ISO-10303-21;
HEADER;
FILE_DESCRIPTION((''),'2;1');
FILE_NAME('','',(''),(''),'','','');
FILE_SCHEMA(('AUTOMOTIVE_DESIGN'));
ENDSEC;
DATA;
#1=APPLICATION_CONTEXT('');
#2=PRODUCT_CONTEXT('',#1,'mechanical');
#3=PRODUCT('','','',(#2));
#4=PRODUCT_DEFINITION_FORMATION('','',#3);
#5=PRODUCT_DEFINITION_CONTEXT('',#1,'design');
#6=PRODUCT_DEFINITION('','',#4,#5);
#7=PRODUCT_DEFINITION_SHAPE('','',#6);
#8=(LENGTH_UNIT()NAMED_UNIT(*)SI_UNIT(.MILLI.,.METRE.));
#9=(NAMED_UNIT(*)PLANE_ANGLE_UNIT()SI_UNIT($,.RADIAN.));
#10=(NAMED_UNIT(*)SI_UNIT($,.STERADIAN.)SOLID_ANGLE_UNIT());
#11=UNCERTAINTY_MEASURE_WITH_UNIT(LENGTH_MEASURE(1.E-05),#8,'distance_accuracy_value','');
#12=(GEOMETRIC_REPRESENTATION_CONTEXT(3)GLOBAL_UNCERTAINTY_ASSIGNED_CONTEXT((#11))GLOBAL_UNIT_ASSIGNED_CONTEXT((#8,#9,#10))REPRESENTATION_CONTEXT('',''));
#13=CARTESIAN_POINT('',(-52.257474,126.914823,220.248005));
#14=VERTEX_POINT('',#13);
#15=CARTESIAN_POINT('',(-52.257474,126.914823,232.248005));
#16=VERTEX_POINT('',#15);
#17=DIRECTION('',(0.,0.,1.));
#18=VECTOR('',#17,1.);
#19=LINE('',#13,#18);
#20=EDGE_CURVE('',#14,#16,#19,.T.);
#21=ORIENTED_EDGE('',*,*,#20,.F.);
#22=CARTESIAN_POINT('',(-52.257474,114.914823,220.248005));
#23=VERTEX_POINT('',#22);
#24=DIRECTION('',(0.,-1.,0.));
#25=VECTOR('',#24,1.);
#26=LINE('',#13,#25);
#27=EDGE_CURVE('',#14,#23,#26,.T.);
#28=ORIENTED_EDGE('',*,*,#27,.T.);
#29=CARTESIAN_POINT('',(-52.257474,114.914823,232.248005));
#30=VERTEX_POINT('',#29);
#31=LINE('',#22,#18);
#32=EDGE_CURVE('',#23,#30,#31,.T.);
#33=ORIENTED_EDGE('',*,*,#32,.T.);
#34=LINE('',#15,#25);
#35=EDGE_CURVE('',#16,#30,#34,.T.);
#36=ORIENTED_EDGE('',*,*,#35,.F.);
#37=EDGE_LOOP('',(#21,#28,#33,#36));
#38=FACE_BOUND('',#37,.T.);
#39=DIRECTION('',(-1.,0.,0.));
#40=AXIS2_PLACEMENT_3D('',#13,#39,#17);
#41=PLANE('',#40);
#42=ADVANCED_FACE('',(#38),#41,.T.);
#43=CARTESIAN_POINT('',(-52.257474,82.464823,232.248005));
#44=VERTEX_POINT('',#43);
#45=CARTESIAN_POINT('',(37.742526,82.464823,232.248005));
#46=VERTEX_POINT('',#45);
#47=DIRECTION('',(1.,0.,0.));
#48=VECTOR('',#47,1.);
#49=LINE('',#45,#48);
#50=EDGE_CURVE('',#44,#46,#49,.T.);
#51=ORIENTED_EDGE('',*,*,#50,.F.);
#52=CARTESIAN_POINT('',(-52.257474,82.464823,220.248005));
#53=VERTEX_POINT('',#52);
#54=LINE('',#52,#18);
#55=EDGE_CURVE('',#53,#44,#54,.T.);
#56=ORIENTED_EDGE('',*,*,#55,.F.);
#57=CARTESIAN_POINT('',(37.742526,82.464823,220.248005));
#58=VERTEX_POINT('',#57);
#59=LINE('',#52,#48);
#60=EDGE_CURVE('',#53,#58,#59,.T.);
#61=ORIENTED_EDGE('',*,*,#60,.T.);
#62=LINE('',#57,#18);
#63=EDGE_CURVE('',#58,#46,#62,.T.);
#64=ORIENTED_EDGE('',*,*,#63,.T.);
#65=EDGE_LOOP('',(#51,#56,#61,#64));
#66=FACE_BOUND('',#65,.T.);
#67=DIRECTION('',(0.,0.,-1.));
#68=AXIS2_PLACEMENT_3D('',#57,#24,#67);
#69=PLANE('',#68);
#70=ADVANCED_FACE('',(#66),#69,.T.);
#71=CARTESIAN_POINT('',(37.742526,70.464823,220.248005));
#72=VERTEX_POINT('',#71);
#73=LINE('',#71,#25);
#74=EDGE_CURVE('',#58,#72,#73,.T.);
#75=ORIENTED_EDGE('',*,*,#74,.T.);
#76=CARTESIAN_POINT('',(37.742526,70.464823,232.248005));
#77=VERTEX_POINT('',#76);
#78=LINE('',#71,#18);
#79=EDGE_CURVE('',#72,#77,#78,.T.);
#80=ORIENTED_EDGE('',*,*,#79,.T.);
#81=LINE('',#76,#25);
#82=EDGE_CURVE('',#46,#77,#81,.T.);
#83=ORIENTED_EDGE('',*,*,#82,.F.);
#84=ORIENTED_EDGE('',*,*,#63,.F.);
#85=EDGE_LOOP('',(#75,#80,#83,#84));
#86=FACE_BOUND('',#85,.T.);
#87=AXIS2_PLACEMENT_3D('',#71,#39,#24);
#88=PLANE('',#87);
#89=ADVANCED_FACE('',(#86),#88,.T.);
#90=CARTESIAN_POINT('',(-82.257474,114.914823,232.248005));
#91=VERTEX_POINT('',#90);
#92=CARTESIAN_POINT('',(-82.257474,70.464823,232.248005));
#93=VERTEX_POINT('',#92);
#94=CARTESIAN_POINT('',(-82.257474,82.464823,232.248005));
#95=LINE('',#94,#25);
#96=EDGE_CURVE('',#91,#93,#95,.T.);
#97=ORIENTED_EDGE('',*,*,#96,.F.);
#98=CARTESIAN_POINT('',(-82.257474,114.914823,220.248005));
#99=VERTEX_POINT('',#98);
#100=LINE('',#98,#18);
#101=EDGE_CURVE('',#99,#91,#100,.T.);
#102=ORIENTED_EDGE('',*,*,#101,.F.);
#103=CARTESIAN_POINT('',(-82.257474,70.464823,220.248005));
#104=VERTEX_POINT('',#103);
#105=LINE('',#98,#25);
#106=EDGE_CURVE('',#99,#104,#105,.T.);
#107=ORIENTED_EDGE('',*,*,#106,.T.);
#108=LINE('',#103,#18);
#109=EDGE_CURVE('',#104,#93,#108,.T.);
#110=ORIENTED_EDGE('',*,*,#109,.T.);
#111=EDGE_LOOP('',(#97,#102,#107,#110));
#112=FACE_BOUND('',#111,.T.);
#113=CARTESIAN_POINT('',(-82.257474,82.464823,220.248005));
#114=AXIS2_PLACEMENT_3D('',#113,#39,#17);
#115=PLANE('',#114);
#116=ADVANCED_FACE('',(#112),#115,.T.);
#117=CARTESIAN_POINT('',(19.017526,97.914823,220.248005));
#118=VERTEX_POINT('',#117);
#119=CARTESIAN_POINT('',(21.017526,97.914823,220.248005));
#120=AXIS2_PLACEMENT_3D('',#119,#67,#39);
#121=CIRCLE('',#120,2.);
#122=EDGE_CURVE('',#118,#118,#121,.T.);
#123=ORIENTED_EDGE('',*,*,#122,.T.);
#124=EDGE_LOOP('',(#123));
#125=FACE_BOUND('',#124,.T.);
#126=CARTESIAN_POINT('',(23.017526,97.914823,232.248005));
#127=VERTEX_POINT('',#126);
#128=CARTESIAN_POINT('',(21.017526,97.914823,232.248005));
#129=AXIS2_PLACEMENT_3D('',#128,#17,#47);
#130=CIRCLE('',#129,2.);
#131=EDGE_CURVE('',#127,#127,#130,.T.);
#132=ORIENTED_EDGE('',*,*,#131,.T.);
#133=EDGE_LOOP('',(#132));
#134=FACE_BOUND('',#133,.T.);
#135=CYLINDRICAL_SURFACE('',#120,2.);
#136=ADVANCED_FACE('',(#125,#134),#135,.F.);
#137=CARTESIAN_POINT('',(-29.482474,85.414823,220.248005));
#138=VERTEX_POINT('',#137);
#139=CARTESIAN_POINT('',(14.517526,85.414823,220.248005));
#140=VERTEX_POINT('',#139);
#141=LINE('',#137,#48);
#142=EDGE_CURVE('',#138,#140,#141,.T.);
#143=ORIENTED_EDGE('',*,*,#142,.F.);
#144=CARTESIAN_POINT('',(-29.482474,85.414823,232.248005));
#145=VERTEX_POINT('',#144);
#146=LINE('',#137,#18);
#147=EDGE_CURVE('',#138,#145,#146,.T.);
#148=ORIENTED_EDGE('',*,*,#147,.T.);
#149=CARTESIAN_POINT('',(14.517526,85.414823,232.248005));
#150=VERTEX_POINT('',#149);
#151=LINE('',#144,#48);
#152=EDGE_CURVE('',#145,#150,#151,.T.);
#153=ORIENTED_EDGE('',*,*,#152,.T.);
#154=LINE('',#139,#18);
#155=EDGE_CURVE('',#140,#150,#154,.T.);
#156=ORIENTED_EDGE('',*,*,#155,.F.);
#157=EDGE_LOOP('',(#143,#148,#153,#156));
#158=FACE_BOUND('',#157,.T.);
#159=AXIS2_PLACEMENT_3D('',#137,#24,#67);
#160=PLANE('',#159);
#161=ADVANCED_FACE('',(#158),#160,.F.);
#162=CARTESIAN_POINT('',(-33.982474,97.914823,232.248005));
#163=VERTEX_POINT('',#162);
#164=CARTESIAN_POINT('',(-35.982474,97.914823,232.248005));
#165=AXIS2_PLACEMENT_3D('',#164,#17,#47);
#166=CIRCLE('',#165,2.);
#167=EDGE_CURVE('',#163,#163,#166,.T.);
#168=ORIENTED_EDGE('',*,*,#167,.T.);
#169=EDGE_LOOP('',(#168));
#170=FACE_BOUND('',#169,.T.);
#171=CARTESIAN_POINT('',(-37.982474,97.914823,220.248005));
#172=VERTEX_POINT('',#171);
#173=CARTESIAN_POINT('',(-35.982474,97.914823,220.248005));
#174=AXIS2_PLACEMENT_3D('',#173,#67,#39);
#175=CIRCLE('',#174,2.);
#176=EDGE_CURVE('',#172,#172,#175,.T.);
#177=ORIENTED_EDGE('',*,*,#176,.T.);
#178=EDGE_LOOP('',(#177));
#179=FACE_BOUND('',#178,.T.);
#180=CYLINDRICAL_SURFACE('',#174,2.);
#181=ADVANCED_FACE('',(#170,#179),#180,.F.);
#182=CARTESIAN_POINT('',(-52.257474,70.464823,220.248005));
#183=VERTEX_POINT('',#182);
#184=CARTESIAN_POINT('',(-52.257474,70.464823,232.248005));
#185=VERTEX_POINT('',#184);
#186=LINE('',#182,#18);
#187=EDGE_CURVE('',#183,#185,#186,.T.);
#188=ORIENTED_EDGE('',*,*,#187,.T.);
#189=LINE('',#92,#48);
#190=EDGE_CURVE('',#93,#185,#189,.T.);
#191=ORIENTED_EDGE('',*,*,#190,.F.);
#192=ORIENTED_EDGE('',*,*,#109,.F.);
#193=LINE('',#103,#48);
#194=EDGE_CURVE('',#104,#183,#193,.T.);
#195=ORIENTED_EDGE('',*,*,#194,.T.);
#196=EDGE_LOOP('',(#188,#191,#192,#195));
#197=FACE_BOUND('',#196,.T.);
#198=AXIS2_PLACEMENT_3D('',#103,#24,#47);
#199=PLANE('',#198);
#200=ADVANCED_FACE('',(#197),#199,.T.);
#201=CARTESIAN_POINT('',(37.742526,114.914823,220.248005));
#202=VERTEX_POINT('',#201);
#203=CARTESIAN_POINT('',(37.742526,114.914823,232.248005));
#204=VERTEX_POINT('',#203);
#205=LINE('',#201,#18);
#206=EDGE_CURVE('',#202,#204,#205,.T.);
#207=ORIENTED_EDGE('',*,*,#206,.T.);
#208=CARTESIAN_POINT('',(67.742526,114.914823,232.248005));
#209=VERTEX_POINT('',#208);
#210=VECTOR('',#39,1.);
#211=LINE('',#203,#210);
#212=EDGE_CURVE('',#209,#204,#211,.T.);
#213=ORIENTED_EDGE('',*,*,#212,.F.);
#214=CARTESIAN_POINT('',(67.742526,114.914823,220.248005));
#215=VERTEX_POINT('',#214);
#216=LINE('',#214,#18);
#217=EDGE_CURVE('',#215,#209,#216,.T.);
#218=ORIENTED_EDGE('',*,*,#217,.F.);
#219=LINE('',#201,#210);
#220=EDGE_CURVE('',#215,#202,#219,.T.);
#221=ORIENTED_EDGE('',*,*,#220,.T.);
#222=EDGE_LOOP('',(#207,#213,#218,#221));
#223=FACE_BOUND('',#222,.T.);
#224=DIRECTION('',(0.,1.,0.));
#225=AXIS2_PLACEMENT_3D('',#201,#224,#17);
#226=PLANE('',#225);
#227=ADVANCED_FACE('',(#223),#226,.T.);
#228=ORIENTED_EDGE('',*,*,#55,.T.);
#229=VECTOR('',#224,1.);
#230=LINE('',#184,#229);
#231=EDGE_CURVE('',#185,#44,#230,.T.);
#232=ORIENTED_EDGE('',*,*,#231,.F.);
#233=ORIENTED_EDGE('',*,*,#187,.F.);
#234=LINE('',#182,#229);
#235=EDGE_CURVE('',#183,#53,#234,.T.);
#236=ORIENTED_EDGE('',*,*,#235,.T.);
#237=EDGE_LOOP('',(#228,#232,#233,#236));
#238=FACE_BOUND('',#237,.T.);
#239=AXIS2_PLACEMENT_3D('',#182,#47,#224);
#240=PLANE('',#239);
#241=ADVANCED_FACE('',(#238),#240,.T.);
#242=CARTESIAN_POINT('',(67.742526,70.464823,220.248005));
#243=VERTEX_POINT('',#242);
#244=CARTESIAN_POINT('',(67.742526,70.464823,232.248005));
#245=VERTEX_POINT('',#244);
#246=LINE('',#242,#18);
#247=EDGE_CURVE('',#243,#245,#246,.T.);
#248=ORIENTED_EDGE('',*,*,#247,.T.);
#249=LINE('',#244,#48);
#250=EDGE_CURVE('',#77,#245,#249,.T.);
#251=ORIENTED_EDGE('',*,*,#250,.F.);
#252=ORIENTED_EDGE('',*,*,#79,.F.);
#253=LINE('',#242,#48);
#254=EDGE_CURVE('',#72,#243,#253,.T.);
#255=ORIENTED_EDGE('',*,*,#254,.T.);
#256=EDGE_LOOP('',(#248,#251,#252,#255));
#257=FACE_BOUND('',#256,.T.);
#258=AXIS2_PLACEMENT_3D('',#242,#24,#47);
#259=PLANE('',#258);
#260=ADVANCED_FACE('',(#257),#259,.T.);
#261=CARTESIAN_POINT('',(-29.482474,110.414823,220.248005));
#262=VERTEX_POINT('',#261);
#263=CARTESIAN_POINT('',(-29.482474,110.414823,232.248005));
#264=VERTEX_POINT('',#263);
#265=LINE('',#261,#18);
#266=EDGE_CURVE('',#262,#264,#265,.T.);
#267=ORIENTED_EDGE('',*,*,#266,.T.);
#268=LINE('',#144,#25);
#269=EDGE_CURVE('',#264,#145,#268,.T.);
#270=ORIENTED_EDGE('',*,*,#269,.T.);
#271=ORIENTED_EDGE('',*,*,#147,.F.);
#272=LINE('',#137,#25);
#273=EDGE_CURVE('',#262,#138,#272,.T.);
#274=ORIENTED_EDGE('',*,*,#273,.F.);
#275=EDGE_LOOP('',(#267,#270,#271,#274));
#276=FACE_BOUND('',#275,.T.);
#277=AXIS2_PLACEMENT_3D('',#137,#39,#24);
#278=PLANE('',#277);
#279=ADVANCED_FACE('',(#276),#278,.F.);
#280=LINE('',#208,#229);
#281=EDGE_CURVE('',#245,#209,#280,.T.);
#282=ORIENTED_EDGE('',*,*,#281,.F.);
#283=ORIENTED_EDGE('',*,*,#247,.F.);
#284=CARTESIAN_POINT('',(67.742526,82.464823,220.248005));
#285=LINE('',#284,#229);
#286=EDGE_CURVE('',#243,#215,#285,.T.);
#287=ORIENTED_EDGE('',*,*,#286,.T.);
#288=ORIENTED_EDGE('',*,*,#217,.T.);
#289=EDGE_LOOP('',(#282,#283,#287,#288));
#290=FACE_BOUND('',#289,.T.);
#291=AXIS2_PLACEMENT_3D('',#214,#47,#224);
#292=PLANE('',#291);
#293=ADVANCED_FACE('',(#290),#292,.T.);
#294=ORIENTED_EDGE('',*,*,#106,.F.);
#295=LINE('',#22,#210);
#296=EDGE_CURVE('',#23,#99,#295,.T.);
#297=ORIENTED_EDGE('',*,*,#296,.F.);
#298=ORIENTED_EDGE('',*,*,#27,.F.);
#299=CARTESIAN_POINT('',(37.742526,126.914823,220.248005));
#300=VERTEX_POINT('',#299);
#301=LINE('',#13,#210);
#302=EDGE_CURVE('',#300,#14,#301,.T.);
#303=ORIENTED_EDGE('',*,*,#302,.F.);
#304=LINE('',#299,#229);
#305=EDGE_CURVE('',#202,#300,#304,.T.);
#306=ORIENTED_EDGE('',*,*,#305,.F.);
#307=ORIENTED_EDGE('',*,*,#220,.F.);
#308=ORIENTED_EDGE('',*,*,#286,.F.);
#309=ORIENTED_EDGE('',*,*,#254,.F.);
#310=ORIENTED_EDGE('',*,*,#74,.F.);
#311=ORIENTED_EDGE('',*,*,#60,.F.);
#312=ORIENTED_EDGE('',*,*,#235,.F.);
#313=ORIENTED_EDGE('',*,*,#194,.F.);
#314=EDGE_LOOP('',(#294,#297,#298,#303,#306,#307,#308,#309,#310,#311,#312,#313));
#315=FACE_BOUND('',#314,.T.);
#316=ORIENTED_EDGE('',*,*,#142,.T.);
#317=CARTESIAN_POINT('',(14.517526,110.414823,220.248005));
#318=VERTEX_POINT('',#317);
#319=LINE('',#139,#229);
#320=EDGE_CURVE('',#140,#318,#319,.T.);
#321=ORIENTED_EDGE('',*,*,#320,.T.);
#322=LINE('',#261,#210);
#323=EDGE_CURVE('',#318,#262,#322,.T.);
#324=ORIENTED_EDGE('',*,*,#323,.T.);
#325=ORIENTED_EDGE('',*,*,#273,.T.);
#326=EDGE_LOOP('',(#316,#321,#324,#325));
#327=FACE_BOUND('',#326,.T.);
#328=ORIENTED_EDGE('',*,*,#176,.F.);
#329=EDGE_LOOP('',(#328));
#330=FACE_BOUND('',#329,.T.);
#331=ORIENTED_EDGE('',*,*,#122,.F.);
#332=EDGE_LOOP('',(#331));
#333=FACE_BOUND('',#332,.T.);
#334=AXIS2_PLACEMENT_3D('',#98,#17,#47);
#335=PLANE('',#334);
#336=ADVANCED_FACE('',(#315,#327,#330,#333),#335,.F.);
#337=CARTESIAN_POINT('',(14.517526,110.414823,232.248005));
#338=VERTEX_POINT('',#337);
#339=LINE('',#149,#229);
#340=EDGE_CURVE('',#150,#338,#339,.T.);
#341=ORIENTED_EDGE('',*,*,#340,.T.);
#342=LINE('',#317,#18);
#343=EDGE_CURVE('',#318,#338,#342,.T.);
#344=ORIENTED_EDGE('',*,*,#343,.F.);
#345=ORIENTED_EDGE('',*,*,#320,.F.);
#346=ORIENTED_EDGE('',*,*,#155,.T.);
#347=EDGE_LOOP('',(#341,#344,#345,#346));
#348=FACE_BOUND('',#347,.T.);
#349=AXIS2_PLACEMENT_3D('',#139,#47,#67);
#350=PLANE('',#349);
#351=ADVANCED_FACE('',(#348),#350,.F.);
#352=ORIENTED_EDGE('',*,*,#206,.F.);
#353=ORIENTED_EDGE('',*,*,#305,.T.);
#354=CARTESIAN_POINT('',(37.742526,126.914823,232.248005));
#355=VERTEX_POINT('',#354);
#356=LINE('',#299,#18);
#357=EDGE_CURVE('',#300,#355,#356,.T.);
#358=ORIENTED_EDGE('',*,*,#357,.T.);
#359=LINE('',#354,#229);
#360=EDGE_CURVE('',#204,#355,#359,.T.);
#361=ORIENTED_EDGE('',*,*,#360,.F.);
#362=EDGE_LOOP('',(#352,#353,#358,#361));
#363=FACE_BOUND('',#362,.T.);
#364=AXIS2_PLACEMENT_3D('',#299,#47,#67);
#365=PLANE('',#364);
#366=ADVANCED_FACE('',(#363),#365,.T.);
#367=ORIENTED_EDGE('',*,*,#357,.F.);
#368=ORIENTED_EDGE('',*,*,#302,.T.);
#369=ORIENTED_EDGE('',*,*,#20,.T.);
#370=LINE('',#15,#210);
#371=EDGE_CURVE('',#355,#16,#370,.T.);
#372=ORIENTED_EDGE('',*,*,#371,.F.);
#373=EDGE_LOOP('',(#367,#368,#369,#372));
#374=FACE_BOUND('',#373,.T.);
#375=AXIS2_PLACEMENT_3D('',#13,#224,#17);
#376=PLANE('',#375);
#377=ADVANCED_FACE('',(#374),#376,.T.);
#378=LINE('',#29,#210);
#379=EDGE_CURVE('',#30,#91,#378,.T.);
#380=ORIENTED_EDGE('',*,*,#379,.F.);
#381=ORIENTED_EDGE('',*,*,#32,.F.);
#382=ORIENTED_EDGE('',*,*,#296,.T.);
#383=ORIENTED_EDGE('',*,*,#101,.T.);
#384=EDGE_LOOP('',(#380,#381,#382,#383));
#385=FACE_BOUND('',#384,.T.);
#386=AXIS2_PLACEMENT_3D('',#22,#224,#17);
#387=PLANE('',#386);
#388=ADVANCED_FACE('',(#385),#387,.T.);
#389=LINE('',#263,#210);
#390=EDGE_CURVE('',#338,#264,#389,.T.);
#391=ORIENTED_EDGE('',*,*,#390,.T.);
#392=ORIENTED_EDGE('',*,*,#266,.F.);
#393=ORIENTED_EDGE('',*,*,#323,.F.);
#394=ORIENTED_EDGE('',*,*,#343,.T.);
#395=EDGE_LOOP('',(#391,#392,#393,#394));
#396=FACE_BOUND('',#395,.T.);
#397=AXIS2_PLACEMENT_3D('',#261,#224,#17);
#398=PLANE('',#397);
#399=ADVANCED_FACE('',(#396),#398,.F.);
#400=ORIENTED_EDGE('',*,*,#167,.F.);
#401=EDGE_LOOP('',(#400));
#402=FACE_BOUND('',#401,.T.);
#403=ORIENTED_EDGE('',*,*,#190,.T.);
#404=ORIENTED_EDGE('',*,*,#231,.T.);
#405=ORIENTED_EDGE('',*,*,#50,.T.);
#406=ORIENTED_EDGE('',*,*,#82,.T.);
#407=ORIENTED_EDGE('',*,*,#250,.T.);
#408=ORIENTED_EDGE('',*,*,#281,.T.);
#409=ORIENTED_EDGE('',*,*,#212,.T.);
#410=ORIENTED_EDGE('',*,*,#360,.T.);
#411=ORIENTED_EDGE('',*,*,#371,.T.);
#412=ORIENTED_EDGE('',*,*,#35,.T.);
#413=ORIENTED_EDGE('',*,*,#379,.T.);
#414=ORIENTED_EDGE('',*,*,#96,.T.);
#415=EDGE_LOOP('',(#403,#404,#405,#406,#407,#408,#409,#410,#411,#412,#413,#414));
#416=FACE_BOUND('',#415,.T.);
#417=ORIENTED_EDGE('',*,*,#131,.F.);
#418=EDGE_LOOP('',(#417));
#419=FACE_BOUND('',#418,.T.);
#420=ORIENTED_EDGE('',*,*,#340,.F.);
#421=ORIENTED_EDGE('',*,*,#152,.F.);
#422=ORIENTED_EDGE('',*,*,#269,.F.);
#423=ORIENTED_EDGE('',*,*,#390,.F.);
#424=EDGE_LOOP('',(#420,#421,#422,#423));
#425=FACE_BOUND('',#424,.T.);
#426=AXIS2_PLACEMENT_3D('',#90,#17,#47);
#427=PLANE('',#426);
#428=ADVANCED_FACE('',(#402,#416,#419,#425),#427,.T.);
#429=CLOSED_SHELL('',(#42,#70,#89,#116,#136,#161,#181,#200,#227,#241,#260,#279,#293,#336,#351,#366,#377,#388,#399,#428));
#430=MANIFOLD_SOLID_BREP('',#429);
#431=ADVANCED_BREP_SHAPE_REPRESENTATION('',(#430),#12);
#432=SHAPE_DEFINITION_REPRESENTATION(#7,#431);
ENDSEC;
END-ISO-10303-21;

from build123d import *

# Parameters (mm, degrees)
SKETCH1_W                    = 44
SKETCH1_H                    = 25
BOSS_EXTRUDE1_DEPTH          = 12
F_4_0_4_DIAMETER_HOLE1_D     = 4
F_4_0_4_DIAMETER_HOLE1_DEPTH = 25
F_4_0_4_DIAMETER_HOLE1_TIP   = 1.201721238


with BuildPart() as part:
    # Sketch1 → Boss-Extrude1 (new body)
    with BuildSketch(Plane.XY.offset(232.248004761)):
        Polygon((-82.257473883, 114.914823413), (-82.257473883, 82.464823413), (-82.257473883, 70.464823413), (-52.257473883, 70.464823413), (-52.257473883, 82.464823413), (-29.482473883, 82.464823413), (14.967526117, 82.464823413), (37.742526117, 82.464823413), (37.742526117, 70.464823413), (67.742526117, 70.464823413), (67.742526117, 82.464823413), (67.742526117, 114.914823413), (37.742526117, 114.914823413), (37.742526117, 126.914823413), (-52.257473883, 126.914823413), (-52.257473883, 114.914823413), align=None)
        with Locations((-7.482473883, 97.914823413)):
            Rectangle(SKETCH1_W, SKETCH1_H, mode=Mode.SUBTRACT)
    extrude(amount=-BOSS_EXTRUDE1_DEPTH)

    # Ø4.0 (4) Diameter Hole1
    with Locations(Plane(origin=(-7.257473883, 0, 220.248004761), x_dir=(-1, 0, 0), z_dir=(0, 0, -1))):
        with Locations((-28.275, 97.914823413), (28.725, 97.914823413)):
            Hole(F_4_0_4_DIAMETER_HOLE1_D / 2, depth=F_4_0_4_DIAMETER_HOLE1_DEPTH)
            with Locations((0, 0, -(F_4_0_4_DIAMETER_HOLE1_DEPTH + F_4_0_4_DIAMETER_HOLE1_TIP / 2))):  # 118° drill point
                Cone(0, F_4_0_4_DIAMETER_HOLE1_D / 2, F_4_0_4_DIAMETER_HOLE1_TIP, mode=Mode.SUBTRACT)


solid = part.part
